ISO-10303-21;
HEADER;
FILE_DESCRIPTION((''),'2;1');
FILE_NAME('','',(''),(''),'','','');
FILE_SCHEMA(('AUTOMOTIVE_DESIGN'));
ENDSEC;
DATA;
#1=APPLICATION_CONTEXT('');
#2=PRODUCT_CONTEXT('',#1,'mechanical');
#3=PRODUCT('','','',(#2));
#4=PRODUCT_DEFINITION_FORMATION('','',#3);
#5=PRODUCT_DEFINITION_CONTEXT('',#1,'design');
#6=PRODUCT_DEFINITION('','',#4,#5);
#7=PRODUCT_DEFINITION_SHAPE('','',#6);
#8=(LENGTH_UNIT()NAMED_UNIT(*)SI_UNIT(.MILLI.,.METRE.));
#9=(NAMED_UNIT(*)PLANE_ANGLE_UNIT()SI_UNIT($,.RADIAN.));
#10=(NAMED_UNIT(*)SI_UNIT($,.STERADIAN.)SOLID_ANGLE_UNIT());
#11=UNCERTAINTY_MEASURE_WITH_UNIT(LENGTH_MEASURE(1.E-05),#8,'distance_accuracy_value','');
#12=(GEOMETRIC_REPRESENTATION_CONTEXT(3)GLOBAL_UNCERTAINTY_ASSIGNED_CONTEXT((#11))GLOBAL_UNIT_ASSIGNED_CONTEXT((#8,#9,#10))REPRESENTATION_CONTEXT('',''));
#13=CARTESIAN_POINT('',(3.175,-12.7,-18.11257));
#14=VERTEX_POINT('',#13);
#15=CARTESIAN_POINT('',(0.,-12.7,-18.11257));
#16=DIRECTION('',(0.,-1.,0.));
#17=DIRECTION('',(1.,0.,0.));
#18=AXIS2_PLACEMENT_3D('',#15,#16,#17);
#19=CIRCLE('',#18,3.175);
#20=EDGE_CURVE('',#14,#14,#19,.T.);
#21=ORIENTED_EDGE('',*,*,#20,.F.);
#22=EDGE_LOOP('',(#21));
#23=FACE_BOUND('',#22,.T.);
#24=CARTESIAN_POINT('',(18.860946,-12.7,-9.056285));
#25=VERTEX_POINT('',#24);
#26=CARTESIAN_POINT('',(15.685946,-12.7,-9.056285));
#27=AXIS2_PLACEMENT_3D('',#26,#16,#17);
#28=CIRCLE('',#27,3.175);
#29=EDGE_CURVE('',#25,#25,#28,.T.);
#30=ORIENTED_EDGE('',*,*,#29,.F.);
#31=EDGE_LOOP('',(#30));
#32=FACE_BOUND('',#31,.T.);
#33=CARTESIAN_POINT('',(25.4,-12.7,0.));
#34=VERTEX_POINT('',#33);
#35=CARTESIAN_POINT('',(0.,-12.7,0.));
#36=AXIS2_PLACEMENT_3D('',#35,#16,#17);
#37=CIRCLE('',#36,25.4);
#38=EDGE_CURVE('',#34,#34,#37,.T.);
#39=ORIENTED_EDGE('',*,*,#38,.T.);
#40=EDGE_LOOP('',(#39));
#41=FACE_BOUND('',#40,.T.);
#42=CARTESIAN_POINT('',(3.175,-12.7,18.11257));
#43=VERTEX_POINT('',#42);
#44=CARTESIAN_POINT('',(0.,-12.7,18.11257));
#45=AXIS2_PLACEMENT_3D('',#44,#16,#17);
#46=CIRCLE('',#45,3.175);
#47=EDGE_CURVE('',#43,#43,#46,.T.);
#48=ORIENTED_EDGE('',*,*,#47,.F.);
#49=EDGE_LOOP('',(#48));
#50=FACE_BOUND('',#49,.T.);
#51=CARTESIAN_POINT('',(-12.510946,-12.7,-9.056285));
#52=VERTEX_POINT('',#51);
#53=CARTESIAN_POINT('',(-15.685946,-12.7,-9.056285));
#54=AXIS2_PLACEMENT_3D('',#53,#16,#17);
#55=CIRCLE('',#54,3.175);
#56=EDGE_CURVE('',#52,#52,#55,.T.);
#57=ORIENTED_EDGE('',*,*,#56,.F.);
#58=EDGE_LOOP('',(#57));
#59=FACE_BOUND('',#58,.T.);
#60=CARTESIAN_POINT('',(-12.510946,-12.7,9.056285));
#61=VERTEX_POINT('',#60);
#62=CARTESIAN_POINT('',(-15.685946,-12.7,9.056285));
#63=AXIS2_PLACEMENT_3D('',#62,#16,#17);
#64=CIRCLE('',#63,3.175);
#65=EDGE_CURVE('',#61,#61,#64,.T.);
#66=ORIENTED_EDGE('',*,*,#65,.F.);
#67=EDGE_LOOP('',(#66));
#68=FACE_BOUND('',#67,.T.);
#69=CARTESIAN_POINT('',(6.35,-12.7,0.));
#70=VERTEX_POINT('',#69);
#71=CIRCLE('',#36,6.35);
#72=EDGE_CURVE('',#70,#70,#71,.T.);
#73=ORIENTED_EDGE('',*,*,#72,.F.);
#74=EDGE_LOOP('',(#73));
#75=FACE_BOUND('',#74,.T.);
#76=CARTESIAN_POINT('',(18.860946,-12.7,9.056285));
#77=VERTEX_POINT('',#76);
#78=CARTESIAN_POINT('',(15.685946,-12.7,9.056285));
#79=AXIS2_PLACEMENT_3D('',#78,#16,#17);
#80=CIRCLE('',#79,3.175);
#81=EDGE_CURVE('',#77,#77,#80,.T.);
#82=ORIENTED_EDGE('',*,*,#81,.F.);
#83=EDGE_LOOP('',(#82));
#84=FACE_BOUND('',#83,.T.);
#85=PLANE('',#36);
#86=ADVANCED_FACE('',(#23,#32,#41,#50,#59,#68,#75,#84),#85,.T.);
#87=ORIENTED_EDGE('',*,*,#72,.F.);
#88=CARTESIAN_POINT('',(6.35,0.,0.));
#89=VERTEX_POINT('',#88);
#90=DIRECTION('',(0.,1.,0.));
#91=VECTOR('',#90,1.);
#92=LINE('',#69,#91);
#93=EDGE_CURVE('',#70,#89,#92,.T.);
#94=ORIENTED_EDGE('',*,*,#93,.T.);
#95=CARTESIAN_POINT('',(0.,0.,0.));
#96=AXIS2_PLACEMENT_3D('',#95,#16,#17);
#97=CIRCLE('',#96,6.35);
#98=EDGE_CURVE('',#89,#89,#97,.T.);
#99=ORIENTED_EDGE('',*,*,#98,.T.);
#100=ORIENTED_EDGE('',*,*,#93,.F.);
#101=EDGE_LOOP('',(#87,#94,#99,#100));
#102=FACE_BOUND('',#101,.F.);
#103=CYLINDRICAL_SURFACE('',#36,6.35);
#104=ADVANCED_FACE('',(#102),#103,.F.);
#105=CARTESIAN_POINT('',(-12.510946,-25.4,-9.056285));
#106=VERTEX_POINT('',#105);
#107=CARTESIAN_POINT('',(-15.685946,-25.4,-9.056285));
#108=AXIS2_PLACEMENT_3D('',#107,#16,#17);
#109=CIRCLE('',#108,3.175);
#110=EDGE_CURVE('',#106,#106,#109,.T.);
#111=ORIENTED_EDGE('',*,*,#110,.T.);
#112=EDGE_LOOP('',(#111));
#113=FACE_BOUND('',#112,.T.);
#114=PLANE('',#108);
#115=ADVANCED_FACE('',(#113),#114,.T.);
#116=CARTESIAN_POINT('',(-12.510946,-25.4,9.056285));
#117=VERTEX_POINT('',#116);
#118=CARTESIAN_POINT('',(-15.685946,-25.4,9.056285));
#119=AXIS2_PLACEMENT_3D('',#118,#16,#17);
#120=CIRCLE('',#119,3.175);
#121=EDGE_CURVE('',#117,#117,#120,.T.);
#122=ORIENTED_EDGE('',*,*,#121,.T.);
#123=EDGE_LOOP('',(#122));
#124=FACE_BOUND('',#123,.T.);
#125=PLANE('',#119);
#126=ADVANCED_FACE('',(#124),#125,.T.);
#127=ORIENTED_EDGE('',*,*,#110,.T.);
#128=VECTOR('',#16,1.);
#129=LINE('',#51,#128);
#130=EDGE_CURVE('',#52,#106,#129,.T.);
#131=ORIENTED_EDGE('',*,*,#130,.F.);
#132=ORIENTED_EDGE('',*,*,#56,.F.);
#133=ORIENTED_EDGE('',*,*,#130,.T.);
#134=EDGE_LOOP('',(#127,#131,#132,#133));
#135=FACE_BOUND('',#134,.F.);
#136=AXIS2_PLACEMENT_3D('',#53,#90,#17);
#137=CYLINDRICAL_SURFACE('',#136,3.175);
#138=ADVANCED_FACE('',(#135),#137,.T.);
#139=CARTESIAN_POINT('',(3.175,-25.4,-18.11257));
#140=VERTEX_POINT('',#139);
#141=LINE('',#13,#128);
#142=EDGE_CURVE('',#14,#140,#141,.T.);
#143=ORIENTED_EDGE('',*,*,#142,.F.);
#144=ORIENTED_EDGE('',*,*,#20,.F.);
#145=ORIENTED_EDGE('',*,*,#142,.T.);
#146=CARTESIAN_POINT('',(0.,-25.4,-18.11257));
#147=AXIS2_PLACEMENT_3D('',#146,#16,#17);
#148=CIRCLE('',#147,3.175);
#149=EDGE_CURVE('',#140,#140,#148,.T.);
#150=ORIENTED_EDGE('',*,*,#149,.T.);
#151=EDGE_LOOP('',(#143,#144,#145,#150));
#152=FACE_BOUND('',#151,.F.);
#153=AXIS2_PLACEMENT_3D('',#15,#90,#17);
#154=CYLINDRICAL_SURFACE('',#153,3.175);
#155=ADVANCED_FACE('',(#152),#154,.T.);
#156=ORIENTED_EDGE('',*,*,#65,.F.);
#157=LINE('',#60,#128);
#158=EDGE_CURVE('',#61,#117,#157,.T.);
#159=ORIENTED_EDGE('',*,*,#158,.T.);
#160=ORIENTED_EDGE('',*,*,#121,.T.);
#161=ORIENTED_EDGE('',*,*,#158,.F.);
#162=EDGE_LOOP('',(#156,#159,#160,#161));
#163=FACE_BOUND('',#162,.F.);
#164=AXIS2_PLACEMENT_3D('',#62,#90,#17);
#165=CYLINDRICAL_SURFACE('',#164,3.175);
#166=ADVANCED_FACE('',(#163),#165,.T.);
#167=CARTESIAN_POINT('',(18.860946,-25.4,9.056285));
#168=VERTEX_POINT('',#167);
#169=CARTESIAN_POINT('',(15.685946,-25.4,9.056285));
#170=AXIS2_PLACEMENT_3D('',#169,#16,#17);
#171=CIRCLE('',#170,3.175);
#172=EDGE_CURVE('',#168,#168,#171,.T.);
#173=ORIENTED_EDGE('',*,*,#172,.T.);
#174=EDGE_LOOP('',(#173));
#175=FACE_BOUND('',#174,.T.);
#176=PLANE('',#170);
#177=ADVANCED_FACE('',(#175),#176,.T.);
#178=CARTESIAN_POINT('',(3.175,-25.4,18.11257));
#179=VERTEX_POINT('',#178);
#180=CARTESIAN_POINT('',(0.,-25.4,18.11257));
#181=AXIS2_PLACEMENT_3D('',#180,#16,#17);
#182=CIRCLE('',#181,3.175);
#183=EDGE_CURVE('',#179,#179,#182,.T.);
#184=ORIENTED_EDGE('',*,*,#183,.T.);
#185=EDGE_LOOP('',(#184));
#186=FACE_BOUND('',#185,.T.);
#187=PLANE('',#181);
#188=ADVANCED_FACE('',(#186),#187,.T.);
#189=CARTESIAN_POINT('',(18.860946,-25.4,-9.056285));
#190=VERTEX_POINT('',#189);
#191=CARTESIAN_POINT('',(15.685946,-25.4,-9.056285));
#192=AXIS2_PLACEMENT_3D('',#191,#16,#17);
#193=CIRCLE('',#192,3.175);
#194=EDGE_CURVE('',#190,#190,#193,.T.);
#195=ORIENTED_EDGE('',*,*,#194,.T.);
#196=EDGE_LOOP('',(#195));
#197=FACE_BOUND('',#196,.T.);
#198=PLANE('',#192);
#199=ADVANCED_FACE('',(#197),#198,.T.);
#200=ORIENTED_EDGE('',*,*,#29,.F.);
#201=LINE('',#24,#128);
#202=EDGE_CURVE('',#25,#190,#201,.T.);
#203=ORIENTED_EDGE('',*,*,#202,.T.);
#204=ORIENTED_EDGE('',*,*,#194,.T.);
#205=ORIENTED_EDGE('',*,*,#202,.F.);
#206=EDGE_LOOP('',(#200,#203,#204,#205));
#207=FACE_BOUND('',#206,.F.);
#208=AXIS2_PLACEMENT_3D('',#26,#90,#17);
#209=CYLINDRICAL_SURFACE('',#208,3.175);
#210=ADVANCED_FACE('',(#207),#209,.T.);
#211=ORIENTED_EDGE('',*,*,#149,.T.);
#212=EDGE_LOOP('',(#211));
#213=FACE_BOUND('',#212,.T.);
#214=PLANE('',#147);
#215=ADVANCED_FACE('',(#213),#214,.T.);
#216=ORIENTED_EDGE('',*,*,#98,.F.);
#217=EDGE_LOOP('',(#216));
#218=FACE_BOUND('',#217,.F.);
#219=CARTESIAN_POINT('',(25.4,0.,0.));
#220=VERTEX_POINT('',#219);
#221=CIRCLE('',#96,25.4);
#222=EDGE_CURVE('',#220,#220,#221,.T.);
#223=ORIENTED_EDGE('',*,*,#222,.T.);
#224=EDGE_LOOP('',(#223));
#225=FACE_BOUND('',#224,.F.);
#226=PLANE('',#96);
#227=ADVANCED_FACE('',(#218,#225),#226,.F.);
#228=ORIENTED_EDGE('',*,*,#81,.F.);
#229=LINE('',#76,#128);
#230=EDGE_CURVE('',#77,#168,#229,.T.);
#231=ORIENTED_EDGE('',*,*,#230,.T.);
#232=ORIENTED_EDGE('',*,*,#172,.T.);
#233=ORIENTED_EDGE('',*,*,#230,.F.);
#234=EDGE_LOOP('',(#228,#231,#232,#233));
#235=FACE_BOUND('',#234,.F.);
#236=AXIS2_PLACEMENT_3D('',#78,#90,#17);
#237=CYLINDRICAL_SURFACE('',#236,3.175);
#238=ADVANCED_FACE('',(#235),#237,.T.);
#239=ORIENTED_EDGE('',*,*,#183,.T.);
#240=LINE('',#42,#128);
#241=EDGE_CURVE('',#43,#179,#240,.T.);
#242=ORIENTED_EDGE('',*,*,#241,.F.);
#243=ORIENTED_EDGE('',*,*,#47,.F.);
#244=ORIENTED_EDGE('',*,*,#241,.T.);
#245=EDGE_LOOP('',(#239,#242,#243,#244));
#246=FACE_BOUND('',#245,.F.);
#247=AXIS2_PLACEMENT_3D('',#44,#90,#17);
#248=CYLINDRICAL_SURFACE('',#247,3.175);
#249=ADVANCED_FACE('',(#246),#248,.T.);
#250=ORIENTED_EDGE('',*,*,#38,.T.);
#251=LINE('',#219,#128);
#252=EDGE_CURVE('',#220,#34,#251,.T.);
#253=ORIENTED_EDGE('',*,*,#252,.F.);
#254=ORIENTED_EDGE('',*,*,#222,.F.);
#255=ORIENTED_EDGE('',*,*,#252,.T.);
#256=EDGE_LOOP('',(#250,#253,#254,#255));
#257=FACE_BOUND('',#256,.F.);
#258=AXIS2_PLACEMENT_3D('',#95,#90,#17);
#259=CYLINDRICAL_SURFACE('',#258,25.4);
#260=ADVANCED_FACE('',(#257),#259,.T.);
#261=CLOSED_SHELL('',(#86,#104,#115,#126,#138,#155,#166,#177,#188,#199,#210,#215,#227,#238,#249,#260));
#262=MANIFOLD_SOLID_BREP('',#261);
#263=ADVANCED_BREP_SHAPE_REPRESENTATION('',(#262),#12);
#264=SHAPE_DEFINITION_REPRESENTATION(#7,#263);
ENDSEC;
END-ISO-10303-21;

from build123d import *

# Parameters (mm, degrees)
F0_R     = 25.4
F1_DEPTH = 12.7
F2_R     = 6.35
F3_DEPTH = 50.8
F4_R     = 3.175
F5_DEPTH = 12.7


with BuildPart() as f1:
    # F0 (on Front) → F1 (new body)
    with BuildSketch(Plane.XZ):
        Circle(F0_R)
    extrude(amount=F1_DEPTH)

    # F2 (on face) → F3 (cut)
    with BuildSketch(Plane.XZ.offset(12.7)):
        Circle(F2_R)
    extrude(amount=-F3_DEPTH, mode=Mode.SUBTRACT)

    # F4 (on face) → F5 (join)
    with BuildSketch(Plane.XZ.offset(12.7)):
        with Locations((0, 18.11257)):
            Circle(F4_R)
        with Locations((-15.685946, 9.056285)):
            Circle(F4_R)
        with Locations((-15.685946, -9.056285)):
            Circle(F4_R)
        with Locations((0, -18.11257)):
            Circle(F4_R)
        with Locations((15.685946, -9.056285)):
            Circle(F4_R)
        with Locations((15.685946, 9.056285)):
            Circle(F4_R)
    extrude(amount=F5_DEPTH)


solid = f1.part
